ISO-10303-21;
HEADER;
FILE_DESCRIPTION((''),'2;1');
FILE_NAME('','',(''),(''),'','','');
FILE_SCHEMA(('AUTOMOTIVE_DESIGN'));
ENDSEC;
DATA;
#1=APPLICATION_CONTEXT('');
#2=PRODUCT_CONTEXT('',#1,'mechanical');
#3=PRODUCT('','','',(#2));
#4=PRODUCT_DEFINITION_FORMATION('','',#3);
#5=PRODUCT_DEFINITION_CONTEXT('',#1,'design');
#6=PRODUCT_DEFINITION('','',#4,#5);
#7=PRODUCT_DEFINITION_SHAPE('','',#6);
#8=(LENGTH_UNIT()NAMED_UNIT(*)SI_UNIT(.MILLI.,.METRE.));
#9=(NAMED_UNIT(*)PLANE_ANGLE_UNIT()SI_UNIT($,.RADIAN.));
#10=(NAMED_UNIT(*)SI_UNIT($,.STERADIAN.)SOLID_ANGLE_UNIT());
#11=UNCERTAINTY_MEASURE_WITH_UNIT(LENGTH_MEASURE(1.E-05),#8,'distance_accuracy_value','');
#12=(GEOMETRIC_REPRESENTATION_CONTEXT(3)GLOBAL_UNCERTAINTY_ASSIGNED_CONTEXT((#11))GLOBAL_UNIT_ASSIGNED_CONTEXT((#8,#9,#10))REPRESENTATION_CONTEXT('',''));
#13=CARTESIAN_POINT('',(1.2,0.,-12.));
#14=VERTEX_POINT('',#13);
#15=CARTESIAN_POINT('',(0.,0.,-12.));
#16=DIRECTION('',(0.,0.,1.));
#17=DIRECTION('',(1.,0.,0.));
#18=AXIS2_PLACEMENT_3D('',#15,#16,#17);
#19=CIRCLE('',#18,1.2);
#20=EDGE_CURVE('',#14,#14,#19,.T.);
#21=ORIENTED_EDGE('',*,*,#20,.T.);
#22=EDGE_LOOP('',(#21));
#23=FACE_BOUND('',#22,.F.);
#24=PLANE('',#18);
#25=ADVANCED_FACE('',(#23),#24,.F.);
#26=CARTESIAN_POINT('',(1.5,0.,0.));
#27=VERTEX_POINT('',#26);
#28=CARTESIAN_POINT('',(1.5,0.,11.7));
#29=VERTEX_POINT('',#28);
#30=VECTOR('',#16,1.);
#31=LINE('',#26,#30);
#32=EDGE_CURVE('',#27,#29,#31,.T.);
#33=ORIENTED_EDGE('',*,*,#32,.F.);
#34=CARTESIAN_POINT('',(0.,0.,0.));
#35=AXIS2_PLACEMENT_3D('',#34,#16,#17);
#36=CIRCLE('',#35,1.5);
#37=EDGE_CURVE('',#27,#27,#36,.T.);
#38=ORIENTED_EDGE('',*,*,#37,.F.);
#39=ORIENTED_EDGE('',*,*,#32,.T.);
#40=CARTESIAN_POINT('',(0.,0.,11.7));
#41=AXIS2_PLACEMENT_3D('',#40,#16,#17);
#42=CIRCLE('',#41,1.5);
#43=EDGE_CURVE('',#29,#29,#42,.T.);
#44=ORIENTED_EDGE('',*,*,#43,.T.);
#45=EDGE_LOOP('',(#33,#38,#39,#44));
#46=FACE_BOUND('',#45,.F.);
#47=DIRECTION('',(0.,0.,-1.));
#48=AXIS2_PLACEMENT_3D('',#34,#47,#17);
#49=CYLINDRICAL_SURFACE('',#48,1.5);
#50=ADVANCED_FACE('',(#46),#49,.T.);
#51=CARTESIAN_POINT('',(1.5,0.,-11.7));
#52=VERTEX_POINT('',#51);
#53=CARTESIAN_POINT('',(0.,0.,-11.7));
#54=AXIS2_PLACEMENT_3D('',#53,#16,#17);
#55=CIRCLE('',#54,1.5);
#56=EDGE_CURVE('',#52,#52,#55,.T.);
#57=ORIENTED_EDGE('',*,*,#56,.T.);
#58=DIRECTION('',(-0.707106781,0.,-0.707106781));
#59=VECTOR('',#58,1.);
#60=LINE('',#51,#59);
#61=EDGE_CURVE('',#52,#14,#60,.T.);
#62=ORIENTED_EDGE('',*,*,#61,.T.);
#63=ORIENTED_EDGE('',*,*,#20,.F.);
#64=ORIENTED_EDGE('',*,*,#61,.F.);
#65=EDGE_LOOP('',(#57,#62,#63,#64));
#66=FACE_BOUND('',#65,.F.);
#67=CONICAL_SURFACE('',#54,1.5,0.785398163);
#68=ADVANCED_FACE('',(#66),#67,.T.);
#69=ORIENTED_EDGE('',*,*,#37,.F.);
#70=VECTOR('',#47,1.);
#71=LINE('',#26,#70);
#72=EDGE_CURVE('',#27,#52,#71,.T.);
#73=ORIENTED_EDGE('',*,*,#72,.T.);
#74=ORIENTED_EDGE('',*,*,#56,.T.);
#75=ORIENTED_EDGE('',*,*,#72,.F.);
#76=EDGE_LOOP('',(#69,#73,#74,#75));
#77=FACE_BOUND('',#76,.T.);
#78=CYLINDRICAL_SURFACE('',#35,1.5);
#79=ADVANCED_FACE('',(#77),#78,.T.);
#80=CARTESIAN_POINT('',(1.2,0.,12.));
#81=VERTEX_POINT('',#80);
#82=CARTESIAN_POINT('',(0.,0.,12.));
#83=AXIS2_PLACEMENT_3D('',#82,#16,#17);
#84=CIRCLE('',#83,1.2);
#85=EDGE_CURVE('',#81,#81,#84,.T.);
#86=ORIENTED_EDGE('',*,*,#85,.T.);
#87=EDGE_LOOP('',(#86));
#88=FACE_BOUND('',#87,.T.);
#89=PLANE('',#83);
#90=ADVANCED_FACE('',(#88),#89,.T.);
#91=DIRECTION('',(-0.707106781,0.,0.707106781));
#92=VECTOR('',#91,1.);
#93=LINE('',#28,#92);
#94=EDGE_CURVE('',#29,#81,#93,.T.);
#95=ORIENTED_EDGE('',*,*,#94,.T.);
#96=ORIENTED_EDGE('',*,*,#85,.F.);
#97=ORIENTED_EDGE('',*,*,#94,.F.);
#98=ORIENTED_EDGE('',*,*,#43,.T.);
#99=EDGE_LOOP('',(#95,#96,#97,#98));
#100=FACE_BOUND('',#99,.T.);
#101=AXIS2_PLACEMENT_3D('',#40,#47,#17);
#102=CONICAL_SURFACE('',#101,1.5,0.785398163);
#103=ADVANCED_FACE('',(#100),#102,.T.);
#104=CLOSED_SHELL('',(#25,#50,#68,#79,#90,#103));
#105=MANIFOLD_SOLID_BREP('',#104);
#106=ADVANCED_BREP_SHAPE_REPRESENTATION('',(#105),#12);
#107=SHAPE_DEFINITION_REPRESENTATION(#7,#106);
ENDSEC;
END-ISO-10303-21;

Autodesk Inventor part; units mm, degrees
ref_plane "YZ Plane" through (0, 0, 0) normal (1, 0, 0) x (0, 1, 0)
ref_plane "XZ Plane" through (0, 0, 0) normal (0, 1, 0) x (-1, 0, 0)
ref_plane "XY Plane" through (0, 0, 0) normal (0, 0, 1) x (1, 0, 0)
sketch "Skizze1" plane through (0, 0, 0) normal (0, 0, 1) x (1, 0, 0)
  circle A0 centre (0, 0) radius 1.5
  dimension "d0" = 3
extrude "Extrusion1" add sketch "Skizze1" along normal mid plane 24
thread "Gewinde2" size "M3x0.5" class "6g" standard "ANSI Metric M Profile" length 20
chamfer "Fase2" distance 0.3 angle 45 2 edges at (-1.5, 0, -12) (-1.5, 0, 12)
properties part number "HVU_ignition_coil_studs" material "Stahl, galvanisiert"
